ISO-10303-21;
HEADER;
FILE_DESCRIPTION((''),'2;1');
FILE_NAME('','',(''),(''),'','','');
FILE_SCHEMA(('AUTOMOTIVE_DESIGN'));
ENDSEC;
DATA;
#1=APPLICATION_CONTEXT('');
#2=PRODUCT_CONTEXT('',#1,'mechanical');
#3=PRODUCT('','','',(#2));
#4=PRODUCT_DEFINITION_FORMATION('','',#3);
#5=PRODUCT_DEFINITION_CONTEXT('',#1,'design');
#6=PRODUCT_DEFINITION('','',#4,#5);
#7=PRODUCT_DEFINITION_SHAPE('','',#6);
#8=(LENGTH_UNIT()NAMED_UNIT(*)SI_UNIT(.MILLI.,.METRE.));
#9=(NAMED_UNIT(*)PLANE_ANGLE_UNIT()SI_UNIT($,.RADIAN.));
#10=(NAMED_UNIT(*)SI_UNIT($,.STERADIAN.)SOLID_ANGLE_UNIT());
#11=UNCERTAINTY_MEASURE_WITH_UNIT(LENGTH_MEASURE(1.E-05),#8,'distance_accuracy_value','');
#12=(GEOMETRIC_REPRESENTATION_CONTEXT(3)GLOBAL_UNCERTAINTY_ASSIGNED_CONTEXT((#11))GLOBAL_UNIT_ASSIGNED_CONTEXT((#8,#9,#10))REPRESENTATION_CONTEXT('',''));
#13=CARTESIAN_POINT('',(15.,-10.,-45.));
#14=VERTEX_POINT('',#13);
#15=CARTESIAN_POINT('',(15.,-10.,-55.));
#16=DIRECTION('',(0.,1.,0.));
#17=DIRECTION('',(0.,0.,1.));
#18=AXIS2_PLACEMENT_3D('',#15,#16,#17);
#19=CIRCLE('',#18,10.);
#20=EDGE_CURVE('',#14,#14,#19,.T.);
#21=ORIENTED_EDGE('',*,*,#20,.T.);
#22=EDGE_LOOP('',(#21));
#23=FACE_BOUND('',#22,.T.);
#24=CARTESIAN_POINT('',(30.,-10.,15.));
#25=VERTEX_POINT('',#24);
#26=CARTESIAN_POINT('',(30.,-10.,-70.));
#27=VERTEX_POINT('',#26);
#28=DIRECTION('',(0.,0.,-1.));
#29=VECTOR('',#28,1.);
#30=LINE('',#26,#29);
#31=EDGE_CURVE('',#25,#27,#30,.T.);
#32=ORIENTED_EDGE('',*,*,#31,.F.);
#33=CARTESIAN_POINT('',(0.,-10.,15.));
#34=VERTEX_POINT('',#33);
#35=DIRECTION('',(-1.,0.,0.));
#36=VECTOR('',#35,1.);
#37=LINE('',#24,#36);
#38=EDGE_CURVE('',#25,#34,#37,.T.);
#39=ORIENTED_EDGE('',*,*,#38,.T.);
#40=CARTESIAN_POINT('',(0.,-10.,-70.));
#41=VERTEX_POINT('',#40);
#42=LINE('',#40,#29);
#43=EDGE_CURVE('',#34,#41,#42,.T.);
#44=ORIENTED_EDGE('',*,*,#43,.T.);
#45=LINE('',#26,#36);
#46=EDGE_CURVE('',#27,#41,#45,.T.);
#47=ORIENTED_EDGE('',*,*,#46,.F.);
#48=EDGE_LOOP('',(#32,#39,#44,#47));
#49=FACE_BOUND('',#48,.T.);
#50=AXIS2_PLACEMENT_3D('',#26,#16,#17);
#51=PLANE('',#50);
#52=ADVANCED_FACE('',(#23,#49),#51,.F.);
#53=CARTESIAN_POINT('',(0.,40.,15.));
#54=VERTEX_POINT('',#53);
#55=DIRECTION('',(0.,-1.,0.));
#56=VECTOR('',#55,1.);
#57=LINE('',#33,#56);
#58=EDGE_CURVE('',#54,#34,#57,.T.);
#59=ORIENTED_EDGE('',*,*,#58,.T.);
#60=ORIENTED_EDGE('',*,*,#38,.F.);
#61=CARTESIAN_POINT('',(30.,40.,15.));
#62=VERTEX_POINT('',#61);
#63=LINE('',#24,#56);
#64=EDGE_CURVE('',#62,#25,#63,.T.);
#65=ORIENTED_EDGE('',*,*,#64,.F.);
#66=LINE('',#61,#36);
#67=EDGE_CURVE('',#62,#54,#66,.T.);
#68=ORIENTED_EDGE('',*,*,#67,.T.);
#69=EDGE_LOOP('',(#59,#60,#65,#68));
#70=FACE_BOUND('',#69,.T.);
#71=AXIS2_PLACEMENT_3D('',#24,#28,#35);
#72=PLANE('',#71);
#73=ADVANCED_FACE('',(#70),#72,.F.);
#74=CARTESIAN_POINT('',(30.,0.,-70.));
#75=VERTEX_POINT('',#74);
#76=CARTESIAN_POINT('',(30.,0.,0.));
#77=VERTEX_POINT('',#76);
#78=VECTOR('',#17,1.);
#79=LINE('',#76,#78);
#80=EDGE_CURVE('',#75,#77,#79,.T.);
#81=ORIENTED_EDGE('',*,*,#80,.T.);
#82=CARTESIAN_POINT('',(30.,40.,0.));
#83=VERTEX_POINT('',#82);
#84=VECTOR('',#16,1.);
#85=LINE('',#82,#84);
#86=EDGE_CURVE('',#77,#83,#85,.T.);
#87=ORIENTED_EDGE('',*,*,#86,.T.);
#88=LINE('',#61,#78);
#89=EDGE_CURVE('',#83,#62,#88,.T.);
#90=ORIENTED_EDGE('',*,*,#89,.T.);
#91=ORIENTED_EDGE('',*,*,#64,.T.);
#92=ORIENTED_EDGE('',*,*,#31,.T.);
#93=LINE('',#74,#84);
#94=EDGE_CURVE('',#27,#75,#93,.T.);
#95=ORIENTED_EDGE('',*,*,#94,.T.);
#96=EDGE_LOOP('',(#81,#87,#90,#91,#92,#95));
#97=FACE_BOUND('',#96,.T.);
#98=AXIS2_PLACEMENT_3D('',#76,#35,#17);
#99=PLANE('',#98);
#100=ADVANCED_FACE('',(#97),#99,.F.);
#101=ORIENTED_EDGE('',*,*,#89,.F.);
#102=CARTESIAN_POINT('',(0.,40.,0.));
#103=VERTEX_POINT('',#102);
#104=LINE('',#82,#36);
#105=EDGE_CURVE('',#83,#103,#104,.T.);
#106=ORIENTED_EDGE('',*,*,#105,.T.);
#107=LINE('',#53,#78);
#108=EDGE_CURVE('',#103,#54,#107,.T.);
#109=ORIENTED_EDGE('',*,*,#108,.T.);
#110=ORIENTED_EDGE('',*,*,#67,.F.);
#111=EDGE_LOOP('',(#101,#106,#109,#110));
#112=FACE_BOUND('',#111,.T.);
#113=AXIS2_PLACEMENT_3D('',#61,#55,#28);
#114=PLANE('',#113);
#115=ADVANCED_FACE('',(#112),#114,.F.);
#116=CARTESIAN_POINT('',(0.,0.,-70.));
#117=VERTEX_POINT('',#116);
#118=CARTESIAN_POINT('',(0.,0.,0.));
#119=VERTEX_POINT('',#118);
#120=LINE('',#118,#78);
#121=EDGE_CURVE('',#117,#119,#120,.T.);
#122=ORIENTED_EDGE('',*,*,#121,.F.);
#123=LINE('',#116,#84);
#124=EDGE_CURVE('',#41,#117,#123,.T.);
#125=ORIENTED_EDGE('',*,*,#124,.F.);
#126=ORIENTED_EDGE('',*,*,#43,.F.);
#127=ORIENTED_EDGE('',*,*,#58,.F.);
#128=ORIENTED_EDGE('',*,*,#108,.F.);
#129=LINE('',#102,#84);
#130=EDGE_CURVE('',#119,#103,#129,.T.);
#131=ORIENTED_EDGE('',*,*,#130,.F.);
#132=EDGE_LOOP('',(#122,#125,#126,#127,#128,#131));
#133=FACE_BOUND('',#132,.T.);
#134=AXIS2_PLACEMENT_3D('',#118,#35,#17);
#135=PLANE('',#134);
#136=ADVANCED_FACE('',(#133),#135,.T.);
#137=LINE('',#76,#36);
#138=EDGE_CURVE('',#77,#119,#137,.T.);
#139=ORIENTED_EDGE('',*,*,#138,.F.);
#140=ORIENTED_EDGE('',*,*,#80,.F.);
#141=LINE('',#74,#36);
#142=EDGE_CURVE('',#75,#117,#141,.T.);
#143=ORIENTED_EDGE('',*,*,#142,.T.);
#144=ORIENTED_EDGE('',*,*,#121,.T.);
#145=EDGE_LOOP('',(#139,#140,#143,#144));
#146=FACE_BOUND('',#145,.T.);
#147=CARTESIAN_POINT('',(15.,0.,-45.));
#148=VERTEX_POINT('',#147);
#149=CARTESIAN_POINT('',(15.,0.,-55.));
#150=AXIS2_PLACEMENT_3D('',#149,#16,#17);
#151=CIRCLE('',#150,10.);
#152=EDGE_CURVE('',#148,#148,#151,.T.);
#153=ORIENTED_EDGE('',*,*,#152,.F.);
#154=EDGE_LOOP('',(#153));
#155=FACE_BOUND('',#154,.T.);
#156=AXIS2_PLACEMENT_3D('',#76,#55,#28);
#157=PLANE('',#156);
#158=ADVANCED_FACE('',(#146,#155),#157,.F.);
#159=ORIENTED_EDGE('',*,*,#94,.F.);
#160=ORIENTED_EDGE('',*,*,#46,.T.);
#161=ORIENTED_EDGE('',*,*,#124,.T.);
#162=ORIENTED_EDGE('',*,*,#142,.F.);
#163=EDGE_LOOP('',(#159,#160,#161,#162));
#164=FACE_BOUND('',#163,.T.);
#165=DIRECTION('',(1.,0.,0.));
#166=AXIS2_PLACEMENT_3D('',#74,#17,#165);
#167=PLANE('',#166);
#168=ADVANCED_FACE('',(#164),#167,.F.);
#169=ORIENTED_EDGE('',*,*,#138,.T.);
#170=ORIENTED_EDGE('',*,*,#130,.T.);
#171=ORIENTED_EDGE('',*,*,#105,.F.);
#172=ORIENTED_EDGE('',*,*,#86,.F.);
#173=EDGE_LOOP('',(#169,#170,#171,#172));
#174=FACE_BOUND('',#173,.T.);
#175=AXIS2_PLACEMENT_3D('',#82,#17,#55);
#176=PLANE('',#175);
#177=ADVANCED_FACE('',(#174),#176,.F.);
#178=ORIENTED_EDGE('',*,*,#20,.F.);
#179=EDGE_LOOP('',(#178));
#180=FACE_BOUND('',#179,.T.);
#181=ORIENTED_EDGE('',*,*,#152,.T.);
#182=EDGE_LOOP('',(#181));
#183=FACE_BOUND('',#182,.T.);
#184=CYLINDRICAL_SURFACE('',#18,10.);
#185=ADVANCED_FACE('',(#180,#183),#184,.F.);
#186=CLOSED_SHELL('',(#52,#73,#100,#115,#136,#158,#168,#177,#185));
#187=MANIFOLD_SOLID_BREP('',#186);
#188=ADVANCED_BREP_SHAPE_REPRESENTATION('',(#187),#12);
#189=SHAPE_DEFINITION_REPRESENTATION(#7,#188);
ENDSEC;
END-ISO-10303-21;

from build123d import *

# Parameters (mm, degrees)
BOSS_EXTRUDE1_DEPTH = 30
SKETCH2_R           = 10
CUT_EXTRUDE1_DEPTH  = 10


with BuildPart() as part:
    # Sketch1 → Boss-Extrude1 (new body)
    with BuildSketch(Plane(origin=(0, 0, 0), x_dir=(0, 0, -1), z_dir=(1, 0, 0))):
        Polygon((0, 40), (0, 0), (70, 0), (70, -10), (-15, -10), (-15, 40), align=None)
    extrude(amount=BOSS_EXTRUDE1_DEPTH)

    # Sketch2 → Cut-Extrude1 (cut)
    with BuildSketch(Plane(origin=(0, 0, 0), x_dir=(1, 0, 0), z_dir=(0, 1, 0))):
        with Locations(Location((15, 55, 0), (0, 0, 270))):
            Circle(SKETCH2_R)
    extrude(amount=-CUT_EXTRUDE1_DEPTH, mode=Mode.SUBTRACT)


solid = part.part
